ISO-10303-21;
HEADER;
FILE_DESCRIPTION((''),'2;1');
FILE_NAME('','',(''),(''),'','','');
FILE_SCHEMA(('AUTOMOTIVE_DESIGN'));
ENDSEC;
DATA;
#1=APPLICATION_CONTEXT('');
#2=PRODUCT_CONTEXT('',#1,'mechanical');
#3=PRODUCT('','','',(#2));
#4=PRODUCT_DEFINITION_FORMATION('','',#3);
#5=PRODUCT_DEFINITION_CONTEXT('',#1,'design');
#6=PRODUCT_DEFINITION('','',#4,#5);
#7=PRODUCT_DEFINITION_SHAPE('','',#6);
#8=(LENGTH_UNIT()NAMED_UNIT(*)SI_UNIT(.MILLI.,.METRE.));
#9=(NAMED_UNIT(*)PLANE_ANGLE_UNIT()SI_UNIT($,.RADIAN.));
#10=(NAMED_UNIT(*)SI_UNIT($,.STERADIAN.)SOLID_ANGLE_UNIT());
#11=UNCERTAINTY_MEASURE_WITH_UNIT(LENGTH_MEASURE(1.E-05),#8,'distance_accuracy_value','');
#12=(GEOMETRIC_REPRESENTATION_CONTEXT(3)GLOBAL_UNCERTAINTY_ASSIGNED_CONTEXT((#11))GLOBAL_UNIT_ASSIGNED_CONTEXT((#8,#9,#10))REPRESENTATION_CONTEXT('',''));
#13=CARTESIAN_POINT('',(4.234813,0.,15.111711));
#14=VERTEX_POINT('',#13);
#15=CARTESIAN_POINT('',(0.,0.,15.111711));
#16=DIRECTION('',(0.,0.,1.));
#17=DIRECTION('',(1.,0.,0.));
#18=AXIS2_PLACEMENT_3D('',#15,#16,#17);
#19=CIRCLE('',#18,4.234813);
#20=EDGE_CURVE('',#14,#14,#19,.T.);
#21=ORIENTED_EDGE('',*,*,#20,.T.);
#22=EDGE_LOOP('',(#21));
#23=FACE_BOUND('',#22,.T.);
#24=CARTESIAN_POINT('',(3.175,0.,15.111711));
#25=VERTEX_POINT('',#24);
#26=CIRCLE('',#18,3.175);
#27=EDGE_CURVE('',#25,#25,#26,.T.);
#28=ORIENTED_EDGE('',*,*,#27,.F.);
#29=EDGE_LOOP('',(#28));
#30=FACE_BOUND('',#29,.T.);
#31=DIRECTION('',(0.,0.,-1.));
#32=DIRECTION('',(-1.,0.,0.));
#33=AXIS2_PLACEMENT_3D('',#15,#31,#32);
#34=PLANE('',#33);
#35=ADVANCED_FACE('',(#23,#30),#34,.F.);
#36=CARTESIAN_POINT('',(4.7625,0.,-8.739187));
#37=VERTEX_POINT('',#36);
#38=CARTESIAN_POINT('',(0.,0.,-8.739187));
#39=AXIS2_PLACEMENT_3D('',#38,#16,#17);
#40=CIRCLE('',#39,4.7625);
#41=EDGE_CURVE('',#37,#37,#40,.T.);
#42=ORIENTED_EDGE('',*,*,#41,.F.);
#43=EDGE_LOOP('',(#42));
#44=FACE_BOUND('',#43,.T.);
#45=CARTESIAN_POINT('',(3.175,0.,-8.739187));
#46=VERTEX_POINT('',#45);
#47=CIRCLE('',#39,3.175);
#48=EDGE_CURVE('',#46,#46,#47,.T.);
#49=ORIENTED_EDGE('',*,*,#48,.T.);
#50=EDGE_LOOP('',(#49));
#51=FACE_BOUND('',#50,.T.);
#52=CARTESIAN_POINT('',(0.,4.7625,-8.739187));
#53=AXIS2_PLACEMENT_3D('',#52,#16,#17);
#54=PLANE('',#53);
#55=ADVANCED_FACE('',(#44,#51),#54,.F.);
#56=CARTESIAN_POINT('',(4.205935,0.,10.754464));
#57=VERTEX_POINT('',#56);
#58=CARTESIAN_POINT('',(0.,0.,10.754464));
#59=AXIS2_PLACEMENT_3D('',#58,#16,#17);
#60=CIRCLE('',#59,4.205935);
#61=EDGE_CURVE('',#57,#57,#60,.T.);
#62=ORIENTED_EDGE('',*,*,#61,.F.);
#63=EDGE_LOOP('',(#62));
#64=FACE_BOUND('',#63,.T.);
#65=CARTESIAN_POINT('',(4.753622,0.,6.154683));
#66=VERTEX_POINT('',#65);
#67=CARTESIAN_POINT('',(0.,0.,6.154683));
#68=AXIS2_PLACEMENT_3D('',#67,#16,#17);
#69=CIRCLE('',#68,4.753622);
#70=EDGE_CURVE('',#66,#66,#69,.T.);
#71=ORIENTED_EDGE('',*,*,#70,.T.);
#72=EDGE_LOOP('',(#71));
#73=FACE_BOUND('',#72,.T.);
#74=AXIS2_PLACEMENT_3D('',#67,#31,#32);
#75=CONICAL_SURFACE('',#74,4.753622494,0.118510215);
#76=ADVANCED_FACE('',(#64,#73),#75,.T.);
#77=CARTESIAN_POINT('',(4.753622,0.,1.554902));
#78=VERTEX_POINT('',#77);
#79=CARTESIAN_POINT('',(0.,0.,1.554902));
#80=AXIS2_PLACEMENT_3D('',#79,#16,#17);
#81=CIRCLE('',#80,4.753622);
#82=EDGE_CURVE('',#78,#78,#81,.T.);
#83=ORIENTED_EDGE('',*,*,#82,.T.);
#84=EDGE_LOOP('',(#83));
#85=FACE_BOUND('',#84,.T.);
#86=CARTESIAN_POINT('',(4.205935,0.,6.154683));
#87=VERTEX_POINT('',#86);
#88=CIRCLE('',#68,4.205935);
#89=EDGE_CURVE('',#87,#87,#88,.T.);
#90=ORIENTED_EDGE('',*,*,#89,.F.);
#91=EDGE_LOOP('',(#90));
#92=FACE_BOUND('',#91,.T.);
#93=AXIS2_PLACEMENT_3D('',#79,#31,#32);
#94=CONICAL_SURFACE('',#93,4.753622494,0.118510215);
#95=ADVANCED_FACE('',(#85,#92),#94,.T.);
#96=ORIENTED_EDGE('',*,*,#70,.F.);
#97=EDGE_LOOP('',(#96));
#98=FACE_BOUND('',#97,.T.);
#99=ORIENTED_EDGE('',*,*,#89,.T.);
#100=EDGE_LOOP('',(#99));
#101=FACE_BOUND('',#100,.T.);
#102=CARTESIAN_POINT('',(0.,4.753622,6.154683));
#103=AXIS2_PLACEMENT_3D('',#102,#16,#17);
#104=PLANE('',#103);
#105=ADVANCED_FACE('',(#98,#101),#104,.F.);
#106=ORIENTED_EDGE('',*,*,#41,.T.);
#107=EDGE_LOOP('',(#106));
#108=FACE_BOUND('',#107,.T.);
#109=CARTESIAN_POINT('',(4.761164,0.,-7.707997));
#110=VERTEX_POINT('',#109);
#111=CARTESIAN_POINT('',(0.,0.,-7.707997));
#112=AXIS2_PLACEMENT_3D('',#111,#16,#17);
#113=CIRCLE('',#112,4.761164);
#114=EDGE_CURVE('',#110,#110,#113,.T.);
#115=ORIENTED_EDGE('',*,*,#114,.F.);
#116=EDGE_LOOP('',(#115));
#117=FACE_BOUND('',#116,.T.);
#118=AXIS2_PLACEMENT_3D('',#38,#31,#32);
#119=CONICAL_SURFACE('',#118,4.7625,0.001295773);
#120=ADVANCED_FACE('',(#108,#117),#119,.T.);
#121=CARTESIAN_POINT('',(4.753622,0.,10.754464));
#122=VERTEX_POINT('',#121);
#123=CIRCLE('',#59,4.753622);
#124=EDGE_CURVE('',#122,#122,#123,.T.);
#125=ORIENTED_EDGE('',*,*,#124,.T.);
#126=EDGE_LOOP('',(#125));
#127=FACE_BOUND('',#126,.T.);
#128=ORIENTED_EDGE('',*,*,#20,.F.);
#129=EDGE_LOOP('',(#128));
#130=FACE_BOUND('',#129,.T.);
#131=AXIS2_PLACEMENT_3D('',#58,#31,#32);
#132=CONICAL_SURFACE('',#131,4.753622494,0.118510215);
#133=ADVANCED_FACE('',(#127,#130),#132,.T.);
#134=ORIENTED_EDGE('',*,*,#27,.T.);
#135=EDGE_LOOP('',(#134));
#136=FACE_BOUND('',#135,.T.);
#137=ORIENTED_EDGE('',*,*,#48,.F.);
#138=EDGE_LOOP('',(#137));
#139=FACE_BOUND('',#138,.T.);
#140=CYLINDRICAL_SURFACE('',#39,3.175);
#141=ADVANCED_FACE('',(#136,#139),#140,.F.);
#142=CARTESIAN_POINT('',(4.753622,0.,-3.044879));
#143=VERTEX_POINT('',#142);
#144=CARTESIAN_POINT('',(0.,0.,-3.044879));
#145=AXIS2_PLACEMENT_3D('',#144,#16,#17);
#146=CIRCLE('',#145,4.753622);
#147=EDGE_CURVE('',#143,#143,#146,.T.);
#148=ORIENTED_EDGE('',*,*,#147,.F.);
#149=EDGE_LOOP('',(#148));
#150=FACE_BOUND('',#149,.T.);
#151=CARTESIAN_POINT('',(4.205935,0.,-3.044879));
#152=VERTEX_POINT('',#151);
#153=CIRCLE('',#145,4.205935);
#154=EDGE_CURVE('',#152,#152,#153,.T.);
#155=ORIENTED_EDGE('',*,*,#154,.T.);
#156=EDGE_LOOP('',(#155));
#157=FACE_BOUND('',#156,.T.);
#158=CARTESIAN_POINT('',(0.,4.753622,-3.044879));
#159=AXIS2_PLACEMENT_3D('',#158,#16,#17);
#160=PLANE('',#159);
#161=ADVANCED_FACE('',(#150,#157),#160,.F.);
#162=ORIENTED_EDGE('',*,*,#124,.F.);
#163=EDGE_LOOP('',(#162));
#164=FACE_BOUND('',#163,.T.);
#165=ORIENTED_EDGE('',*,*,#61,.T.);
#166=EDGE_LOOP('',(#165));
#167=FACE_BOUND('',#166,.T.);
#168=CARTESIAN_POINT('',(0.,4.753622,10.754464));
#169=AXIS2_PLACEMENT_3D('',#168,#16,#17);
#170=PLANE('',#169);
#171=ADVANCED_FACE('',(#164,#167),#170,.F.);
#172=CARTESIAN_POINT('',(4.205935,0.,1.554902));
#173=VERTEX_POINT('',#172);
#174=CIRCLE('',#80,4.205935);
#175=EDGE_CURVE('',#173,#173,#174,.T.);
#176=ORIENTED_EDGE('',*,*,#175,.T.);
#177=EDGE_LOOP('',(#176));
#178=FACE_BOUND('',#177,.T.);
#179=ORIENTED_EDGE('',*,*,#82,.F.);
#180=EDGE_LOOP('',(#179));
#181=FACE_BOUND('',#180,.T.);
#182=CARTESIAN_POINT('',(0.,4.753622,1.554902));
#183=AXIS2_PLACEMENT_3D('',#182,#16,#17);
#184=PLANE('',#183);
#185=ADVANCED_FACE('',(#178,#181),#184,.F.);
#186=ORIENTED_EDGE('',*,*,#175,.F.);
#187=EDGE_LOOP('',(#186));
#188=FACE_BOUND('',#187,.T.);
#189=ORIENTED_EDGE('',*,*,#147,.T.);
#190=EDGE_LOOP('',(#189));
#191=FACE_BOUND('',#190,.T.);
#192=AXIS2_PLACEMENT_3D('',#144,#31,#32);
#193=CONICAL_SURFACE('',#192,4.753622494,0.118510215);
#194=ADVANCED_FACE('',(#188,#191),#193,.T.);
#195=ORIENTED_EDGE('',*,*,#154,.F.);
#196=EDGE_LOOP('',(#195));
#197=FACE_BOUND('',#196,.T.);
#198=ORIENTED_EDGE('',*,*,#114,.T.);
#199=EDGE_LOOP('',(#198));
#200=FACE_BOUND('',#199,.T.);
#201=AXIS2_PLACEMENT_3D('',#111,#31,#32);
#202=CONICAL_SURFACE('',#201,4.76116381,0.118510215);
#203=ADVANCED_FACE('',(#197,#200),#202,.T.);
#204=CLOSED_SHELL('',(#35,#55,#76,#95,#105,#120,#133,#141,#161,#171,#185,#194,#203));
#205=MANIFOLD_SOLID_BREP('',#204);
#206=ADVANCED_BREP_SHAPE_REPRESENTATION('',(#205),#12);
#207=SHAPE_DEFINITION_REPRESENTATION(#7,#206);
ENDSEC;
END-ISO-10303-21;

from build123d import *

# Parameters (mm, degrees)
SKETCH3_R          = 3.175
CUT_EXTRUDE1_DEPTH = 24.850898387


with BuildPart() as part:
    # Sketch2 → Barbfitting(Mcmaster) (revolve)
    with BuildSketch(Plane(origin=(0, 0, 0), x_dir=(0, 0, -1), z_dir=(1, 0, 0))):
        Polygon((-15.111710887, 0), (-15.111710887, 4.234813167), (-10.754464436, 4.753622494), (-10.754464436, 4.205934994), (-10.605348064, 4.223690006), (-6.154683186, 4.753622494), (-6.154683186, 4.205934994), (-6.005566814, 4.223690006), (-1.554901936, 4.753622494), (-1.554901936, 4.205934994), (-1.405785564, 4.223690006), (3.044879314, 4.753622494), (3.044879314, 4.205934994), (3.193995686, 4.223690006), (7.707996691, 4.76116381), (8.7391875, 4.7625), (8.7391875, 0), align=None)
    revolve(axis=Axis((0, 0, 15.2796875), (0, 0, -1)))

    # Sketch3 → Cut-Extrude1 (cut, through all)
    with BuildSketch(Plane.XY.offset(15.111710887)):
        Circle(SKETCH3_R)
    extrude(amount=-CUT_EXTRUDE1_DEPTH, mode=Mode.SUBTRACT)


solid = part.part
